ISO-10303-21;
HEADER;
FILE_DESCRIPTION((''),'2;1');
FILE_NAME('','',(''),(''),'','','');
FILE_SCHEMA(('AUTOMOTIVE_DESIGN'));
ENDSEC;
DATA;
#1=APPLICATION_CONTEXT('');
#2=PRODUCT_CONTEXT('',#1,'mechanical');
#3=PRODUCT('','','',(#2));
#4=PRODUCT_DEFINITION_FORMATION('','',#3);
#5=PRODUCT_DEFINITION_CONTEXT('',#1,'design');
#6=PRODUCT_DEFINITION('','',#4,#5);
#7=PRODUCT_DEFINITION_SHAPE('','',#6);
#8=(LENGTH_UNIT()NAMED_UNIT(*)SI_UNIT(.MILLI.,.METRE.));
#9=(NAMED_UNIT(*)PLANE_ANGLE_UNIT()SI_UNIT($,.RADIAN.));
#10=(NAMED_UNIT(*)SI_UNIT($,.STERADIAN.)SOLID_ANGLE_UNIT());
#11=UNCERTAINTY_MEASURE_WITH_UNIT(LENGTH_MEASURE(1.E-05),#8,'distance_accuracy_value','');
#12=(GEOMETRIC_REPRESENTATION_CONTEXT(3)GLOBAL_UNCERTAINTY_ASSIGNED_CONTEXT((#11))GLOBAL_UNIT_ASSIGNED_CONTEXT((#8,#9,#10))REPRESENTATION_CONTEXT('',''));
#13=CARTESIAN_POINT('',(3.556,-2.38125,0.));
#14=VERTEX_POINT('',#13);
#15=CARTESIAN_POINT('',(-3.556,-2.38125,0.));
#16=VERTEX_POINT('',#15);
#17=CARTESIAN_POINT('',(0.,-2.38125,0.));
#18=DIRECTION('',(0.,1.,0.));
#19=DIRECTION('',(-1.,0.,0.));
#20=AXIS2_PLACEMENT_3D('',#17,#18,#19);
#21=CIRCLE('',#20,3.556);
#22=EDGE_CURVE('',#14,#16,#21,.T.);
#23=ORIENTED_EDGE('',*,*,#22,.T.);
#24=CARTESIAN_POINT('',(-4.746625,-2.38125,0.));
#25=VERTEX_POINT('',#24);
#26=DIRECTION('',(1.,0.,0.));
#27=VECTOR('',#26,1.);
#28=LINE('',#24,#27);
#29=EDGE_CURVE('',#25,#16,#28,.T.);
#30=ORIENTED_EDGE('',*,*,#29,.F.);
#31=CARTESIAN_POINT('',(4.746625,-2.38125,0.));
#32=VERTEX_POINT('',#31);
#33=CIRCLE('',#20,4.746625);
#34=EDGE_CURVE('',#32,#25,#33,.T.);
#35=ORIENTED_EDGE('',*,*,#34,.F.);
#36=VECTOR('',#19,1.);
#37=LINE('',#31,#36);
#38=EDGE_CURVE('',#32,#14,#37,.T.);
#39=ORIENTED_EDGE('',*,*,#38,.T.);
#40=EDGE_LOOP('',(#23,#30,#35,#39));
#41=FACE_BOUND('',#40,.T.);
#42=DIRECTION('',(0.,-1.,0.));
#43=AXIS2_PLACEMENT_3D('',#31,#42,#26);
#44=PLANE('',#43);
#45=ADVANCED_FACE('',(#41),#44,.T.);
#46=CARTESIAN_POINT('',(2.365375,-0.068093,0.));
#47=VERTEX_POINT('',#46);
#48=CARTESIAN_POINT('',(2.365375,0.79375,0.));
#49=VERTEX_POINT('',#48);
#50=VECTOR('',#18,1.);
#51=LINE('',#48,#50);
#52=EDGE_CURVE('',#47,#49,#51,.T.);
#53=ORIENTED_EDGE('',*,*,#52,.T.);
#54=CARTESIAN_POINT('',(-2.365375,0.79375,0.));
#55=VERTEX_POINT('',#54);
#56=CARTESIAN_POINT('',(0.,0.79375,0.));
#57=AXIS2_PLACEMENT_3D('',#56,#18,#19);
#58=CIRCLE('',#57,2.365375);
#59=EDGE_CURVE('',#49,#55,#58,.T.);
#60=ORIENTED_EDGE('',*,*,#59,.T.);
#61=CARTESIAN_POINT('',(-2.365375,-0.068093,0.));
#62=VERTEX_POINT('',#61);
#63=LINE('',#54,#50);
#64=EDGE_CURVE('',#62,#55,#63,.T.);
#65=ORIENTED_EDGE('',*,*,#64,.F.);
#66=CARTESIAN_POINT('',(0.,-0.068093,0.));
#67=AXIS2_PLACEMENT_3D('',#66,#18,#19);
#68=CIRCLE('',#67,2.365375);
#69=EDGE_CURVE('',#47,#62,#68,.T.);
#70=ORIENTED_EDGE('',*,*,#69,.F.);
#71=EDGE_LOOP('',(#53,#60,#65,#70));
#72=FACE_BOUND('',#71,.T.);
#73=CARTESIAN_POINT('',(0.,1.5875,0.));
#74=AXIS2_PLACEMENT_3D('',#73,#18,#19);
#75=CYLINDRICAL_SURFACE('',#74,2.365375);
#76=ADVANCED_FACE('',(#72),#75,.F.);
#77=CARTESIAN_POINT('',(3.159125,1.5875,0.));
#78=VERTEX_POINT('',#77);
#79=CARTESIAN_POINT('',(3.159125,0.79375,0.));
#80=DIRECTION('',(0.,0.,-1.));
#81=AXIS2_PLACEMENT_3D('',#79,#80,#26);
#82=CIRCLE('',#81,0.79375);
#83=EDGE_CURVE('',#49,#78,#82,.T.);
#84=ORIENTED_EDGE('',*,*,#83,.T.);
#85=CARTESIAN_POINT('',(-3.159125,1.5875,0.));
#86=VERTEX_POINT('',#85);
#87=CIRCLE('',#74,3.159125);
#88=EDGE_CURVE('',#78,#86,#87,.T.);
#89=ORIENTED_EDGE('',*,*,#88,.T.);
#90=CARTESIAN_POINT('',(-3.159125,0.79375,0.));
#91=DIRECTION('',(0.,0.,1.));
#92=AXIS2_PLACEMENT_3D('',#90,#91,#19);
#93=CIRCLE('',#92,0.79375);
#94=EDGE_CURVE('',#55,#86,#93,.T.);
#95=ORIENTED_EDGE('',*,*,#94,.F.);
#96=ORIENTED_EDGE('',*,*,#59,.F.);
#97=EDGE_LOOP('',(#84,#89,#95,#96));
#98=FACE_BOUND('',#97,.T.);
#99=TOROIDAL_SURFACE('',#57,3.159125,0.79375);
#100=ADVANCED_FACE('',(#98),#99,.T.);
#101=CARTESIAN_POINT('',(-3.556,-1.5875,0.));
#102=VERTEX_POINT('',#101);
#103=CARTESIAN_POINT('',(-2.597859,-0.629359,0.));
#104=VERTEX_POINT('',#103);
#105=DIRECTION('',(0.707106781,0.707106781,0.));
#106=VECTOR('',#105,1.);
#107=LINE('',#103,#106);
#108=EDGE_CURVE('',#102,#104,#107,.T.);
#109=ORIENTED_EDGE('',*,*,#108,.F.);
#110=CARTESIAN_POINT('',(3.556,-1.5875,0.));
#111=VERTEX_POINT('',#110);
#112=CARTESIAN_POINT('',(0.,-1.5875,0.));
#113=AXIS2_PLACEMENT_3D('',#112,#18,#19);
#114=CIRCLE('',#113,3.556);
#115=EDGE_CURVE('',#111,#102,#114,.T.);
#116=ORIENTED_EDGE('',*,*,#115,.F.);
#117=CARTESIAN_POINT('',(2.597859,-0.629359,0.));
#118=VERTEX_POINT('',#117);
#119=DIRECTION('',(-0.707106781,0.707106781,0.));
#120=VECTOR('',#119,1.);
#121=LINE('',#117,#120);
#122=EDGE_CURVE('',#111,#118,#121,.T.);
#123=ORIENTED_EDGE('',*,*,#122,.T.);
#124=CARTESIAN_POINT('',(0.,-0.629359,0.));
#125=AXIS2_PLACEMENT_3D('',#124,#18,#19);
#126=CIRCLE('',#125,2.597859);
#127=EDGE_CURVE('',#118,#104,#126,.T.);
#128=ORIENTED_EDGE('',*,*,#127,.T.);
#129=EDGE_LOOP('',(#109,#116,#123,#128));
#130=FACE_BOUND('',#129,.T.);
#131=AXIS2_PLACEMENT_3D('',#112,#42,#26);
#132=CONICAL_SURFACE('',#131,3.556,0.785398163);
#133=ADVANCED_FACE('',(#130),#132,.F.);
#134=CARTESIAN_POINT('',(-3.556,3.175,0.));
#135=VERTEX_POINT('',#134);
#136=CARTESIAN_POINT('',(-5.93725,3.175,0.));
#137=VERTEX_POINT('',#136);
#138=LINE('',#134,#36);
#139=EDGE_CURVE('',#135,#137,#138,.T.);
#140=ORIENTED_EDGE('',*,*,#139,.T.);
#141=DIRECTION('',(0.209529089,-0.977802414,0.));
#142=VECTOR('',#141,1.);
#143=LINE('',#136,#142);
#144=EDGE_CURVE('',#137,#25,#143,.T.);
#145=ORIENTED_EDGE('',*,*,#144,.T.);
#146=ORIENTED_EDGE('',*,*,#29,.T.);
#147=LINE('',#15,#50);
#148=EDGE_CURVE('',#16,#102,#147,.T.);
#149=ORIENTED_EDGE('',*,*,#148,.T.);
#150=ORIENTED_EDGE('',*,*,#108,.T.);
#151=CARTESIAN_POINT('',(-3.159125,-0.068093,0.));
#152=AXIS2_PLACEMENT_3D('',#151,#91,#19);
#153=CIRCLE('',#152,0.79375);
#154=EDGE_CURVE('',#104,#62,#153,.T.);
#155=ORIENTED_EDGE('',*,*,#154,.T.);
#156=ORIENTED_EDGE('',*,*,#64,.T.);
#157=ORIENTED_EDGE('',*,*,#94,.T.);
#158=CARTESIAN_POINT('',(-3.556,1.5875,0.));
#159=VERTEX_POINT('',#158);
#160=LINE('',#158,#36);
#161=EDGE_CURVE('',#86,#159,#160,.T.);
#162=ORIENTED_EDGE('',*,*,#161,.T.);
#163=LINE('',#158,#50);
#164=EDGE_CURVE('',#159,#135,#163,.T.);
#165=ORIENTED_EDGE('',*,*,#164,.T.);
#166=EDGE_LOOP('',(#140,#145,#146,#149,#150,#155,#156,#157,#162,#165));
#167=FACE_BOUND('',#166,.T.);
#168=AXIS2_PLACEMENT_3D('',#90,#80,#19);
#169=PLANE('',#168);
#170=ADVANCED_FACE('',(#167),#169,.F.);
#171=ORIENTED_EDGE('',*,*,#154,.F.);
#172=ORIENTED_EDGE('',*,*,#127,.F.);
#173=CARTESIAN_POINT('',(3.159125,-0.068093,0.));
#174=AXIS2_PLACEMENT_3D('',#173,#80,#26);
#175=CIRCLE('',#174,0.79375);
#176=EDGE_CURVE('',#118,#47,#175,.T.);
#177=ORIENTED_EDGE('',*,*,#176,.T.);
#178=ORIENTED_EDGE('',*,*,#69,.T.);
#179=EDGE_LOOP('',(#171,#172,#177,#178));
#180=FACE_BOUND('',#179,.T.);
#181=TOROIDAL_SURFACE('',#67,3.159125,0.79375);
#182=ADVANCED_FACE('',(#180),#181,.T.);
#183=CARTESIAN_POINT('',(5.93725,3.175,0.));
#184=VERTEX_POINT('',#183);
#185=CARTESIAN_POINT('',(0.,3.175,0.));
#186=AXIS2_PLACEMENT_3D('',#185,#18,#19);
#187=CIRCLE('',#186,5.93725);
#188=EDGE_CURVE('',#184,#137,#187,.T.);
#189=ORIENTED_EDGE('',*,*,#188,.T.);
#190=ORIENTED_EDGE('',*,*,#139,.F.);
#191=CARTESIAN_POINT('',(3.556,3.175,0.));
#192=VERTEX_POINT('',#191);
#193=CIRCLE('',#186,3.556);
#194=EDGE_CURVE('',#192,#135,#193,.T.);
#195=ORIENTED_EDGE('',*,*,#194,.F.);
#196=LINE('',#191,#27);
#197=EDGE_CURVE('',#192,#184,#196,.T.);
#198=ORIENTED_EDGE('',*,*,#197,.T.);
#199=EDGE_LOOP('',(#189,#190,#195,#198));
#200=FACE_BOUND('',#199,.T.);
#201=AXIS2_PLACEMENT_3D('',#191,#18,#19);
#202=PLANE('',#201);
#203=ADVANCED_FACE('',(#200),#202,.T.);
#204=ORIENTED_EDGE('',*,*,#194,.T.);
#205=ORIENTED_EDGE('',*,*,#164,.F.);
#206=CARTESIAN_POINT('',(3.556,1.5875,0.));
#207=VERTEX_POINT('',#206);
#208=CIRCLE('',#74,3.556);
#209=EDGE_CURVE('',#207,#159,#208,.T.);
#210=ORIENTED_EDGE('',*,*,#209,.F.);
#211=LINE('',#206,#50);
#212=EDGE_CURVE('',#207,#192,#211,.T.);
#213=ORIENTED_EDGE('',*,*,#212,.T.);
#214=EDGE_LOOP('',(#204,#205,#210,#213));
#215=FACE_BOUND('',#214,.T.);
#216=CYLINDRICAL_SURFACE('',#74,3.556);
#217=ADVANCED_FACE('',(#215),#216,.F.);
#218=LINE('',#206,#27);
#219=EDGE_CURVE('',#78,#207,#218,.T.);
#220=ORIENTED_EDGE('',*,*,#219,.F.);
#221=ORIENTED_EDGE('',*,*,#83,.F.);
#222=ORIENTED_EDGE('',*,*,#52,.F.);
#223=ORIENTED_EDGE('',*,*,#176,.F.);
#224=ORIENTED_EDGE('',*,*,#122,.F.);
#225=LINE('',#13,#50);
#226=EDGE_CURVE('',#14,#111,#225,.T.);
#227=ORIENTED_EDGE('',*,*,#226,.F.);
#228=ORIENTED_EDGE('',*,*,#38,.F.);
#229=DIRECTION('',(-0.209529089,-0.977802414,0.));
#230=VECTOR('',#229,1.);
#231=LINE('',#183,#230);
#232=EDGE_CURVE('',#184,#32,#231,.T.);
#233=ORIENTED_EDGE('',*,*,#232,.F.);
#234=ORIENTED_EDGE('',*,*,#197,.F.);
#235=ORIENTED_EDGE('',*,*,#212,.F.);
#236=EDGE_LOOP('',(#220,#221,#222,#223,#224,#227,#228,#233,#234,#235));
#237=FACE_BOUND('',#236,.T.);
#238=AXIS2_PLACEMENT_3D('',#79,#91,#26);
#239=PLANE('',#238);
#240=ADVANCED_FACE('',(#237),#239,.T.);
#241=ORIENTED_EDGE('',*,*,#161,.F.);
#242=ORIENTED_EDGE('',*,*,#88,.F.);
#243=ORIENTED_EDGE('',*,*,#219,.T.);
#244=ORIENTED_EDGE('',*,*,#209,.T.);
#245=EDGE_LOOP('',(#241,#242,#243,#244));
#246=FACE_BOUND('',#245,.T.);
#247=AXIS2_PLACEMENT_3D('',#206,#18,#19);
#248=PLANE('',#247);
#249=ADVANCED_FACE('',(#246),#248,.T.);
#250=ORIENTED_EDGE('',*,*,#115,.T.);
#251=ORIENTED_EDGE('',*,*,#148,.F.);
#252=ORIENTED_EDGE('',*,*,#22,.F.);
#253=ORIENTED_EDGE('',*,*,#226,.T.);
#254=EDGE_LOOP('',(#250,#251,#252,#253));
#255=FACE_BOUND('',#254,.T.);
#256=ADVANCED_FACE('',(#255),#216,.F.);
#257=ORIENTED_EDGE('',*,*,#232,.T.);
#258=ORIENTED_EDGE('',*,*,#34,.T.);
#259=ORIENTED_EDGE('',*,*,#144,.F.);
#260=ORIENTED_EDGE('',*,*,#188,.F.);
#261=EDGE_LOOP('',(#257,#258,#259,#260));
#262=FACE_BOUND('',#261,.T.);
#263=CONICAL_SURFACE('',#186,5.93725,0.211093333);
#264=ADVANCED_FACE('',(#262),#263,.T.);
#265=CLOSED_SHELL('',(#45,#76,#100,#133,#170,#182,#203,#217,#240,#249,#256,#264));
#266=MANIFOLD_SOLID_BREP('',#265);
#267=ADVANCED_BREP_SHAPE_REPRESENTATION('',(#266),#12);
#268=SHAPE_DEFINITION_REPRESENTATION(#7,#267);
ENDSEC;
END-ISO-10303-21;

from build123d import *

# Parameters (mm, degrees)
REVOLVE1_ANGLE = 180


with BuildPart() as part:
    # Sketch1 → Revolve1 (revolve)
    with BuildSketch(Plane.XY):
        with BuildLine():
            Line((-3.556, 1.5875), (-3.556, 3.175))
            Line((-3.556, 3.175), (-5.93725, 3.175))
            Line((-5.93725, 3.175), (-4.746625, -2.38125))
            Line((-4.746625, -2.38125), (-3.556, -2.38125))
            Line((-3.556, -2.38125), (-3.556, -1.5875))
            Line((-3.556, -1.5875), (-2.597858992, -0.629358992))
            ThreePointArc((-2.597858992, -0.629358992), (-2.425795621, -0.371847959), (-2.365375, -0.068092985))
            Line((-2.365375, -0.068092985), (-2.365375, 0.79375))
            ThreePointArc((-2.365375, 0.79375), (-2.597858992, 1.355016008), (-3.159125, 1.5875))
            Line((-3.159125, 1.5875), (-3.556, 1.5875))
        make_face()
    revolve(axis=Axis((0, 1.5875, 0), (0, -1, 0)), revolution_arc=REVOLVE1_ANGLE)


solid = part.part
